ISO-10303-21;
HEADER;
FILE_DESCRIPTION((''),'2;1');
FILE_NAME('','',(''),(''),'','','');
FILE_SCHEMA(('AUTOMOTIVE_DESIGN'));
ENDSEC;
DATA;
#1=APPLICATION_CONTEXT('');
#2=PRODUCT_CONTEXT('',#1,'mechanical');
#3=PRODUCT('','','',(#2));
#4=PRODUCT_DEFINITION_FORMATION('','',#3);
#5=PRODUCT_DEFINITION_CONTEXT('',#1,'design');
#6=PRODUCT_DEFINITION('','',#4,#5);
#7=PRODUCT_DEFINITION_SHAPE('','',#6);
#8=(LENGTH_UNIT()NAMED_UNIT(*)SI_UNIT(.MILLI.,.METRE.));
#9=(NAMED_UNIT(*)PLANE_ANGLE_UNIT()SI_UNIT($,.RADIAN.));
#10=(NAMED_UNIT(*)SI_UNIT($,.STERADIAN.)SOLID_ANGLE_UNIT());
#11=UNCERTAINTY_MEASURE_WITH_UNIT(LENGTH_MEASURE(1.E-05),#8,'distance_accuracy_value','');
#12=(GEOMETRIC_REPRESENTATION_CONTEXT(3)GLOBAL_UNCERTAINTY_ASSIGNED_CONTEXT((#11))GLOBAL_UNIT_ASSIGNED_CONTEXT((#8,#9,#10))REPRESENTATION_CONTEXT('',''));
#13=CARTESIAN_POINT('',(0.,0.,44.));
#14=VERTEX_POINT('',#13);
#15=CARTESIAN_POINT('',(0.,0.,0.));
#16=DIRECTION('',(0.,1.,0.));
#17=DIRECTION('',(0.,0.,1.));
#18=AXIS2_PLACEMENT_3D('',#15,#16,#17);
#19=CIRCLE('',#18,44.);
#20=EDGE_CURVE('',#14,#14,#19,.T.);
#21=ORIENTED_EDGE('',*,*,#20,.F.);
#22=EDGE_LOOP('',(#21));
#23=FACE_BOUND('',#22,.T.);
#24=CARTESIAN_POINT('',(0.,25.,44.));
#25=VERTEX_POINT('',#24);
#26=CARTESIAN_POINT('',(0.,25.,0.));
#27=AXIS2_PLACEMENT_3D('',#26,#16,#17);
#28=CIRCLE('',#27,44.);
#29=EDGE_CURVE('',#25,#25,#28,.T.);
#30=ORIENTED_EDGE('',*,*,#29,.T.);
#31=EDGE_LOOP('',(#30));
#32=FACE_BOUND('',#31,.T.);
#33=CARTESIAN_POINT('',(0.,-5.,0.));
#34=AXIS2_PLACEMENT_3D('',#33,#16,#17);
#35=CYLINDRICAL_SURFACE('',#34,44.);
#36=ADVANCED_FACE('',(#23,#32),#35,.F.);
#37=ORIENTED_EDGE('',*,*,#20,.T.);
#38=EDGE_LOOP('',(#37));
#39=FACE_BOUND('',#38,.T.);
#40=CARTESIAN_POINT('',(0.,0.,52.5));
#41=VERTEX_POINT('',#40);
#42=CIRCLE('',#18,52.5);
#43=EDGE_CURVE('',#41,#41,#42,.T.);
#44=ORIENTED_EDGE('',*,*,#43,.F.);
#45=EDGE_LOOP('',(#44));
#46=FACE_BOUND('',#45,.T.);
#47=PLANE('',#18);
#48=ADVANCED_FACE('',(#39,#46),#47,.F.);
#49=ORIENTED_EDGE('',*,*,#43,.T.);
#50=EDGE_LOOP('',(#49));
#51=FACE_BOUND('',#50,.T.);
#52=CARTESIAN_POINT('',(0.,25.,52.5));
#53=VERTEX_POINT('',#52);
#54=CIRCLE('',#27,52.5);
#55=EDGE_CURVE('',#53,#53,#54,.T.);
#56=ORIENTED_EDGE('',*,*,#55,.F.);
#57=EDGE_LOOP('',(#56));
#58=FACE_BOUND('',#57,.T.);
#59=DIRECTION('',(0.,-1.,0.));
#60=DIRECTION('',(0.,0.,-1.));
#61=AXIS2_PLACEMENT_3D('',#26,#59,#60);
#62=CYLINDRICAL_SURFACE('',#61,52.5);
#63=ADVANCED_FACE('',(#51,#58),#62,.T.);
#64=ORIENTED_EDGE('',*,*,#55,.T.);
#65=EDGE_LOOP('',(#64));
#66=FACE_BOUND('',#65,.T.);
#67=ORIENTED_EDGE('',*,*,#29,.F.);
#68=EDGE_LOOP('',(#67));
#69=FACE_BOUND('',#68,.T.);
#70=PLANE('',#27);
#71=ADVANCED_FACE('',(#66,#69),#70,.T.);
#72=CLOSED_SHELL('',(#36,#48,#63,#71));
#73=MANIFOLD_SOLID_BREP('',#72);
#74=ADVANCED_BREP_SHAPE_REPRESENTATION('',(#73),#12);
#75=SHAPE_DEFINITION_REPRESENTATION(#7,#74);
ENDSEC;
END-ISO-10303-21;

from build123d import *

# Parameters (mm, degrees)
SKETCH_1_R               = 52.5
SKETCH_1_R_2             = 11.15
EXTRUDE_1_DEPTH          = 25
CUT_EXTRUDE_1_DEPTH      = 30
PATTERN_CIRCULAR_1_COUNT = 6
FILLET_1_R               = 5
SKETCH_3_R               = 44
CUT_EXTRUDE_2_DEPTH      = 30


with BuildPart() as part:
    # 草图1 → 凸台-拉伸1 (new body)
    with BuildSketch(Plane(origin=(0, 0, 0), x_dir=(1, 0, 0), z_dir=(0, 1, 0))):
        with Locations(Location((0, 0, 0), (0, 0, 270))):
            Circle(SKETCH_1_R)
        with Locations(Location((0, 0, 0), (0, 0, 270))):
            Circle(SKETCH_1_R_2, mode=Mode.SUBTRACT)
    extrude(amount=EXTRUDE_1_DEPTH)

    # 草图2 → 切除-拉伸1 (cut)
    with BuildSketch(Plane(origin=(0, 25, 0), x_dir=(1, 0, 0), z_dir=(0, 1, 0))):
        with BuildLine():
            ThreePointArc((-21.398006208, 27.062433932), (-29.877876431, 17.25), (-34.135758377, 5))
            Line((-34.135758377, 5), (-21.15, 5))
            Line((-21.15, 5), (-20.550486612, 5))
            ThreePointArc((-20.550486612, 5), (-18.31643729, 10.575), (-14.605370325, 15.297243466))
            Line((-14.605370325, 15.297243466), (-14.905127019, 15.81643729))
            Line((-14.905127019, 15.81643729), (-21.398006208, 27.062433932))
        make_face()
    cut_extrude_1 = extrude(amount=-CUT_EXTRUDE_1_DEPTH, mode=Mode.SUBTRACT)

    # 阵列(圆周)1: 切除-拉伸1 ×6 about axis
    pattern_circular_1_axis = Axis((0, 25, 0), (0, -1, 0))
    for i in range(1, PATTERN_CIRCULAR_1_COUNT):
        add(cut_extrude_1.rotate(pattern_circular_1_axis, i * 360 / PATTERN_CIRCULAR_1_COUNT), mode=Mode.SUBTRACT)

    # 圆角1
    fillet_1_edges = [part.edges().sort_by_distance(p)[0] for p in [
        (-21.398006208, 12.5, -27.062433932),
        (-14.605370325, 12.5, -15.297243466),
        (-20.550486612, 12.5, -5),
        (-34.135758377, 12.5, -5),
        (-34.135758377, 12.5, 5),
        (-20.550486612, 12.5, 5),
        (-14.605370325, 12.5, 15.297243466),
        (-21.398006208, 12.5, 27.062433932),
        (-12.73775217, 12.5, 32.062433932),
        (-5.945116287, 12.5, 20.297243466),
        (5.945116287, 12.5, 20.297243466),
        (12.73775217, 12.5, 32.062433932),
        (21.398006208, 12.5, 27.062433932),
        (14.605370325, 12.5, 15.297243466),
        (20.550486612, 12.5, 5),
        (34.135758377, 12.5, 5),
        (34.135758377, 12.5, -5),
        (20.550486612, 12.5, -5),
        (14.605370325, 12.5, -15.297243466),
        (21.398006208, 12.5, -27.062433932),
        (12.73775217, 12.5, -32.062433932),
        (5.945116287, 12.5, -20.297243466),
        (-5.945116287, 12.5, -20.297243466),
        (-12.73775217, 12.5, -32.062433932),
    ]]
    fillet(fillet_1_edges, radius=FILLET_1_R)

    # 草图3 → 切除-拉伸2 (cut)
    with BuildSketch(Plane(origin=(0, 25, 0), x_dir=(1, 0, 0), z_dir=(0, 1, 0))):
        with Locations(Location((0, 0, 0), (0, 0, 270))):
            Circle(SKETCH_3_R)
        with BuildLine():
            ThreePointArc((9.546562067, -26.535130538), (9.751380834, -31.140900403), (6.100576582, -33.956339104))
            ThreePointArc((6.100576582, -33.956339104), (0, -34.5), (-6.100576582, -33.956339104))
            ThreePointArc((-6.100576582, -33.956339104), (-9.751380834, -31.140900403), (-9.546562067, -26.535130538))
            Line((-9.546562067, -26.535130538), (-7.751082565, -23.425268815))
            ThreePointArc((-7.751082565, -23.425268815), (-5.631733419, -21.440576943), (-2.766853147, -20.968238449))
            ThreePointArc((-2.766853147, -20.968238449), (0, -21.15), (2.766853147, -20.968238449))
            ThreePointArc((2.766853147, -20.968238449), (5.631733419, -21.440576943), (7.751082565, -23.425268815))
            Line((7.751082565, -23.425268815), (9.546562067, -26.535130538))
        make_face(mode=Mode.SUBTRACT)
        with BuildLine():
            ThreePointArc((27.753378173, -5), (31.844501263, -7.125506677), (32.457340575, -11.694915254))
            ThreePointArc((32.457340575, -11.694915254), (29.877876431, -17.25), (26.356763993, -22.26142385))
            ThreePointArc((26.356763993, -22.26142385), (22.093120428, -24.015393726), (18.206816105, -21.535130538))
            Line((18.206816105, -21.535130538), (16.411336602, -18.425268815))
            ThreePointArc((16.411336602, -18.425268815), (15.752217595, -15.59751268), (16.775600596, -12.880284338))
            ThreePointArc((16.775600596, -12.880284338), (18.31643729, -10.575), (19.542453743, -8.087954111))
            ThreePointArc((19.542453743, -8.087954111), (21.383951014, -5.843064263), (24.162419167, -5))
            Line((24.162419167, -5), (27.753378173, -5))
        make_face(mode=Mode.SUBTRACT)
        with BuildLine():
            ThreePointArc((-27.753378173, 5), (-31.844501263, 7.125506677), (-32.457340575, 11.694915254))
            ThreePointArc((-32.457340575, 11.694915254), (-29.877876431, 17.25), (-26.356763993, 22.26142385))
            ThreePointArc((-26.356763993, 22.26142385), (-22.093120428, 24.015393726), (-18.206816105, 21.535130538))
            Line((-18.206816105, 21.535130538), (-16.411336602, 18.425268815))
            ThreePointArc((-16.411336602, 18.425268815), (-15.752217595, 15.59751268), (-16.775600596, 12.880284338))
            ThreePointArc((-16.775600596, 12.880284338), (-18.31643729, 10.575), (-19.542453743, 8.087954111))
            ThreePointArc((-19.542453743, 8.087954111), (-21.383951014, 5.843064263), (-24.162419167, 5))
            Line((-24.162419167, 5), (-27.753378173, 5))
        make_face(mode=Mode.SUBTRACT)
        with BuildLine():
            ThreePointArc((-9.546562067, 26.535130538), (-9.751380834, 31.140900403), (-6.100576582, 33.956339104))
            ThreePointArc((-6.100576582, 33.956339104), (0, 34.5), (6.100576582, 33.956339104))
            ThreePointArc((6.100576582, 33.956339104), (9.751380834, 31.140900403), (9.546562067, 26.535130538))
            Line((9.546562067, 26.535130538), (7.751082565, 23.425268815))
            ThreePointArc((7.751082565, 23.425268815), (5.631733419, 21.440576943), (2.766853147, 20.968238449))
            ThreePointArc((2.766853147, 20.968238449), (0, 21.15), (-2.766853147, 20.968238449))
            ThreePointArc((-2.766853147, 20.968238449), (-5.631733419, 21.440576943), (-7.751082565, 23.425268815))
            Line((-7.751082565, 23.425268815), (-9.546562067, 26.535130538))
        make_face(mode=Mode.SUBTRACT)
        with BuildLine():
            ThreePointArc((18.206816105, 21.535130538), (22.093120428, 24.015393726), (26.356763993, 22.26142385))
            ThreePointArc((26.356763993, 22.26142385), (29.877876431, 17.25), (32.457340575, 11.694915254))
            ThreePointArc((32.457340575, 11.694915254), (31.844501263, 7.125506677), (27.753378173, 5))
            Line((27.753378173, 5), (24.162419167, 5))
            ThreePointArc((24.162419167, 5), (21.383951014, 5.843064263), (19.542453743, 8.087954111))
            ThreePointArc((19.542453743, 8.087954111), (18.31643729, 10.575), (16.775600596, 12.880284338))
            ThreePointArc((16.775600596, 12.880284338), (15.752217595, 15.59751268), (16.411336602, 18.425268815))
            Line((16.411336602, 18.425268815), (18.206816105, 21.535130538))
        make_face(mode=Mode.SUBTRACT)
    extrude(amount=-CUT_EXTRUDE_2_DEPTH, mode=Mode.SUBTRACT)


solid = part.part
